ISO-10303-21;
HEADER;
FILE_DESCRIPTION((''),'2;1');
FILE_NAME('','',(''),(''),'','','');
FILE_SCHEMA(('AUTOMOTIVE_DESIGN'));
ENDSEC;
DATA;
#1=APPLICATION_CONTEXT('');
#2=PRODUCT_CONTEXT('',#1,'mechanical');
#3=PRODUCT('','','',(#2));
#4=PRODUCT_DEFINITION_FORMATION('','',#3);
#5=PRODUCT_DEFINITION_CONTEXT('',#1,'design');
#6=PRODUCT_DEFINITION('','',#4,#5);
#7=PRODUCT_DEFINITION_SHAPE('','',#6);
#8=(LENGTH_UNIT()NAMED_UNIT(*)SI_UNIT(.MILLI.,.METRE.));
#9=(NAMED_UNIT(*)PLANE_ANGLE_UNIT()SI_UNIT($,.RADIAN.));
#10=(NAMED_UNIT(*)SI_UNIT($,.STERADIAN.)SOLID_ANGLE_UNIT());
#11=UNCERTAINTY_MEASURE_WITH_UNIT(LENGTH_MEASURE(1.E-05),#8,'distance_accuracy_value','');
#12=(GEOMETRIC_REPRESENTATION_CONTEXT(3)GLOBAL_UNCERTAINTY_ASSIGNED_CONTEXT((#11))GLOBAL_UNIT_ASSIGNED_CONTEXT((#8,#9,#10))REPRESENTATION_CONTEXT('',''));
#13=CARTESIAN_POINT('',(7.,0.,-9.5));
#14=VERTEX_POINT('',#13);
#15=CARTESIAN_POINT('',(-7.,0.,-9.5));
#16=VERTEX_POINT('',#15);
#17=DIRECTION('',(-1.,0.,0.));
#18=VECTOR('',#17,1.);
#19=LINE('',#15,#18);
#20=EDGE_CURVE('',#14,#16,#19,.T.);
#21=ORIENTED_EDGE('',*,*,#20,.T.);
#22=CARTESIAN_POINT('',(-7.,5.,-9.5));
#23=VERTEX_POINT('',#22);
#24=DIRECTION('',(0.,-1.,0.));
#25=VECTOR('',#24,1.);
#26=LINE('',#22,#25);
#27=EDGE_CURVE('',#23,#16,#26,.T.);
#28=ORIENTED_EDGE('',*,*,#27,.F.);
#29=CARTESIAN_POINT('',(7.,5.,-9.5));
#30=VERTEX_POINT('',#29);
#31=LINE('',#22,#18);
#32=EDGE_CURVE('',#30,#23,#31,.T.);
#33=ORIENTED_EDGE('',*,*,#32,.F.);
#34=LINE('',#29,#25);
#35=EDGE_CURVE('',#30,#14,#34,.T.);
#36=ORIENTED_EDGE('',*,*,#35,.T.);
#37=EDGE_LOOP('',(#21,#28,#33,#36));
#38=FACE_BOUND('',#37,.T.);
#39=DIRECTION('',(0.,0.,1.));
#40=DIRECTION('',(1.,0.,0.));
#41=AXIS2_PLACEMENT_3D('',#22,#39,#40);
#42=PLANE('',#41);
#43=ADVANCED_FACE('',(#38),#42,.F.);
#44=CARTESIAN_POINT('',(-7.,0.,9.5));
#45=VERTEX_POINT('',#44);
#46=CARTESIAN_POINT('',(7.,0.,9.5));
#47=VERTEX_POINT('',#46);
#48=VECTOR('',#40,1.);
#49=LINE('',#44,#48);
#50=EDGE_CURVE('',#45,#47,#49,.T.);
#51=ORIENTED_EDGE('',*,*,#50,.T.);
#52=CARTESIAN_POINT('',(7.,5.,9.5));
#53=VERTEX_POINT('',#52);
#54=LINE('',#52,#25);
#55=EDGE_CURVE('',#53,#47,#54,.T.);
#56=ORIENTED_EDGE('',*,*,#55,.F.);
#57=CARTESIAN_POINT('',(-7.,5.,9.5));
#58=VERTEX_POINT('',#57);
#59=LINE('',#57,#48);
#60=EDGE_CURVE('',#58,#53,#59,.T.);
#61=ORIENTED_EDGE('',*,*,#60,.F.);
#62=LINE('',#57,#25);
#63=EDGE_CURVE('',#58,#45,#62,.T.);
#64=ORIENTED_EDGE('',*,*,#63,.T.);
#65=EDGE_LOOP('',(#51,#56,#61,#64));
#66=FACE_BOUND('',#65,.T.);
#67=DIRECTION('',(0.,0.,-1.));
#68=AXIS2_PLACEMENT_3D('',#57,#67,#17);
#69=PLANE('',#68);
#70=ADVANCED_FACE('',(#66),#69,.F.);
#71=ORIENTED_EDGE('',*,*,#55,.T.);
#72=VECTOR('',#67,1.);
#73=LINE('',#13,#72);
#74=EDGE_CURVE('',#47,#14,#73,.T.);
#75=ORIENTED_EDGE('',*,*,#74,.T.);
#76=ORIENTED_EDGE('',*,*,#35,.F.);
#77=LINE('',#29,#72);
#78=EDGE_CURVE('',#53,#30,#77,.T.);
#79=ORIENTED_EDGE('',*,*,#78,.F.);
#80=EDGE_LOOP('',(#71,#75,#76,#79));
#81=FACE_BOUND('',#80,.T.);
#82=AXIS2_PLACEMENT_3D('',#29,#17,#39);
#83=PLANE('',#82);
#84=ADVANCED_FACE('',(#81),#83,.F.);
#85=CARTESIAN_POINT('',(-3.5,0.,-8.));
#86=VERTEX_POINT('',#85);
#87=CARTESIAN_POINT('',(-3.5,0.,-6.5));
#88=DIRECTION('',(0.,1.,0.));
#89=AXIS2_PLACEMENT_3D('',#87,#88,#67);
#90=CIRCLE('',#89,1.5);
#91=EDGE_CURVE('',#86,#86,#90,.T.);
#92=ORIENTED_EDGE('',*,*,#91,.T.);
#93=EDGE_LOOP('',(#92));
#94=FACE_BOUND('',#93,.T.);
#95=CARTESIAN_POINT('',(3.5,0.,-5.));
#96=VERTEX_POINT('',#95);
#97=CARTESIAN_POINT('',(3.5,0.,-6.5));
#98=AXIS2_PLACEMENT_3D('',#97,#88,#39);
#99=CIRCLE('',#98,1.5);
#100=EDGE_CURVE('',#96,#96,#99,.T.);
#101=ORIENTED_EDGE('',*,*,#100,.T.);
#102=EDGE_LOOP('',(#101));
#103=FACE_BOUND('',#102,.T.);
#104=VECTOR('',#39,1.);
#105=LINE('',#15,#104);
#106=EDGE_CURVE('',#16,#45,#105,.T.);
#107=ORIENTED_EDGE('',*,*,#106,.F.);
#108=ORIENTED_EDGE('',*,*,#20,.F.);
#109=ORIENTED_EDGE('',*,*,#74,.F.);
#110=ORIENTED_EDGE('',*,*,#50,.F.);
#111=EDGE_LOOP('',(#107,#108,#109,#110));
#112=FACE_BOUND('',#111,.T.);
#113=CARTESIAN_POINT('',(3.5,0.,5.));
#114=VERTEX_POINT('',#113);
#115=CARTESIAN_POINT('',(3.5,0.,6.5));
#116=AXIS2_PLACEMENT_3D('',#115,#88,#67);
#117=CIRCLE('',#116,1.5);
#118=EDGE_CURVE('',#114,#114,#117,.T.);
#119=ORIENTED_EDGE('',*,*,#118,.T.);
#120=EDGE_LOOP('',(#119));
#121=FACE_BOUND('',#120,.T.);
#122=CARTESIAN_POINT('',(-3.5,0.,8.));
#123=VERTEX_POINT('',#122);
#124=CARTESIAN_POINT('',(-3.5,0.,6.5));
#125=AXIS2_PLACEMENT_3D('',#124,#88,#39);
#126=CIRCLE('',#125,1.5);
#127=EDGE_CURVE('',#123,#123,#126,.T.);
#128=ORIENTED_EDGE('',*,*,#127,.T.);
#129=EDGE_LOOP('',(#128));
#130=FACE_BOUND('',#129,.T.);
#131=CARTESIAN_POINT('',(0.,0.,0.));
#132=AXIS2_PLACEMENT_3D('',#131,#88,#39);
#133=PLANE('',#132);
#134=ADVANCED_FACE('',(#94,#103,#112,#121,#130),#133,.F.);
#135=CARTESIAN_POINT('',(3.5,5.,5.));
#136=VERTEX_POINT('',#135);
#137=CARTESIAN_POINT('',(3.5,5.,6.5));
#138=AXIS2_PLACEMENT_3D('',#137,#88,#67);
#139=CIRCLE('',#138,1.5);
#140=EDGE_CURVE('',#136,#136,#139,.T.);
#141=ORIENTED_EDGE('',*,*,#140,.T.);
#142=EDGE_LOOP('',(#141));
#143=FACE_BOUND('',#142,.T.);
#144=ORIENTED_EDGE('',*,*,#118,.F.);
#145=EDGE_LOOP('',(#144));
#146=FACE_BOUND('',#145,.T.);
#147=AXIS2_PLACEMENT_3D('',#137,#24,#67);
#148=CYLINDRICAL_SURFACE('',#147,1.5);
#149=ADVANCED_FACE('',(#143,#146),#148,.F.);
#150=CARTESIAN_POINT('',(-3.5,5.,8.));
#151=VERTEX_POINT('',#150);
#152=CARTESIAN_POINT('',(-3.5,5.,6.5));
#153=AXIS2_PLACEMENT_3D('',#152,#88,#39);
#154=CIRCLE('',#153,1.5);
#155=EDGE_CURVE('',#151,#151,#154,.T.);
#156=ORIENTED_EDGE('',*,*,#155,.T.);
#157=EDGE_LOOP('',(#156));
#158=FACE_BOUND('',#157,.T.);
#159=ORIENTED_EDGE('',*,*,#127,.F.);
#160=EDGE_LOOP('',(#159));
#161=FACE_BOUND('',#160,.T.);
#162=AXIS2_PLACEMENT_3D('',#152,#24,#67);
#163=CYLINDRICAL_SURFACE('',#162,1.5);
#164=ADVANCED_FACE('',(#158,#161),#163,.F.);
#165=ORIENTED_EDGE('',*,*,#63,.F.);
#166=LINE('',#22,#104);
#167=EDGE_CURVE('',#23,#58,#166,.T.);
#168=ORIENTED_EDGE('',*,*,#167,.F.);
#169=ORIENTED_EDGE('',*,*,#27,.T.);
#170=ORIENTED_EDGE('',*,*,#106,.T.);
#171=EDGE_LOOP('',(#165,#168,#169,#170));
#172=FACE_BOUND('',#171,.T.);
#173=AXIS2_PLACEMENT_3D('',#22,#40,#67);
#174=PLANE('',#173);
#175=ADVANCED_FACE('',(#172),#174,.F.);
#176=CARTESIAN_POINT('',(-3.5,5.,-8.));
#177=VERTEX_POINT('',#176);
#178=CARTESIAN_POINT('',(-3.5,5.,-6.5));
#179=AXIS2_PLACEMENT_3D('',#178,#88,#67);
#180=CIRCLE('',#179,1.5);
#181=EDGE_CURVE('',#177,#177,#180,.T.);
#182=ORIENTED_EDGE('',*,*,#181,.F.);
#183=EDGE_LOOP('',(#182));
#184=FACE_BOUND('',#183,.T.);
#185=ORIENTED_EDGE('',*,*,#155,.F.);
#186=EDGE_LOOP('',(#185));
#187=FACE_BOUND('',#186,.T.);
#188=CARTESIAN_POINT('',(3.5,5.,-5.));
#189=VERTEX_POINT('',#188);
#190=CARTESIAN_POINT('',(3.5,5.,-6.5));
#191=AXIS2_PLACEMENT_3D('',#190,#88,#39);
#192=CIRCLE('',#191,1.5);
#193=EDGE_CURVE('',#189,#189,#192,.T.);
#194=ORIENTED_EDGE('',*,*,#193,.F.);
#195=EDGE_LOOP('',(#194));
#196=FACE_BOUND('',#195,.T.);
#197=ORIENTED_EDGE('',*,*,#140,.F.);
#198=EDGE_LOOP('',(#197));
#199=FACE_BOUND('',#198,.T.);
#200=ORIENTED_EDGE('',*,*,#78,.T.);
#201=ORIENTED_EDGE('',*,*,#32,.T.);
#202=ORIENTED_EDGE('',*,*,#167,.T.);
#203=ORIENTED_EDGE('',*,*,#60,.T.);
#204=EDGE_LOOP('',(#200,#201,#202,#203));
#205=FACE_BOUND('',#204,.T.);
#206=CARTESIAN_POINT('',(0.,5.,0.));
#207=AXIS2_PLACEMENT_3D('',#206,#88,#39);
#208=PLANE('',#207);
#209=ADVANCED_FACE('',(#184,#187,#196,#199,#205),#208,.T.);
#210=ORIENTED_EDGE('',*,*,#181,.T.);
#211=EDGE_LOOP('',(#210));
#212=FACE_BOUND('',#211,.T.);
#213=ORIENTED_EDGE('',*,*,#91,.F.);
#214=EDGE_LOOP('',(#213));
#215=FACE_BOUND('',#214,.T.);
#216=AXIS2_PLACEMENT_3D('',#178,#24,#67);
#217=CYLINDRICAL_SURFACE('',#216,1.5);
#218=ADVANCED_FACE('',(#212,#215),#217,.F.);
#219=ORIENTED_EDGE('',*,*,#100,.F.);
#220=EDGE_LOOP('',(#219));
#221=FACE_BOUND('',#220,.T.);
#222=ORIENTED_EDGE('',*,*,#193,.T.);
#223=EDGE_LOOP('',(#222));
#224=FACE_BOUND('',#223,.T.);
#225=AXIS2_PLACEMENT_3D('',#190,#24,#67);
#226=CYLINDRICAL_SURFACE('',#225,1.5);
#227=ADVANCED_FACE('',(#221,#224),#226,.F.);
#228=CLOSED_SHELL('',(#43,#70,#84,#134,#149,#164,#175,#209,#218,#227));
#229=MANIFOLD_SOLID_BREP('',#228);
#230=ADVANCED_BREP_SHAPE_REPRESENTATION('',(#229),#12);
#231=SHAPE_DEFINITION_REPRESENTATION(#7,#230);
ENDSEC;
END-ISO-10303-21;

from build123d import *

# Parameters (mm, degrees)
SKETCH_1_W      = 14
SKETCH_1_H      = 19
SKETCH_1_R      = 1.5
EXTRUDE_1_DEPTH = 5


with BuildPart() as part:
    # 草图1 → 凸台-拉伸1 (new body)
    with BuildSketch(Plane(origin=(0, 0, 0), x_dir=(1, 0, 0), z_dir=(0, 1, 0))):
        Rectangle(SKETCH_1_W, SKETCH_1_H)
        with Locations(Location((3.5, 6.5, 0), (0, 0, 270))):
            Circle(SKETCH_1_R, mode=Mode.SUBTRACT)
        with Locations(Location((-3.5, 6.5, 0), (0, 0, 90))):
            Circle(SKETCH_1_R, mode=Mode.SUBTRACT)
        with Locations(Location((-3.5, -6.5, 0), (0, 0, 270))):
            Circle(SKETCH_1_R, mode=Mode.SUBTRACT)
        with Locations(Location((3.5, -6.5, 0), (0, 0, 90))):
            Circle(SKETCH_1_R, mode=Mode.SUBTRACT)
    extrude(amount=EXTRUDE_1_DEPTH)


solid = part.part
